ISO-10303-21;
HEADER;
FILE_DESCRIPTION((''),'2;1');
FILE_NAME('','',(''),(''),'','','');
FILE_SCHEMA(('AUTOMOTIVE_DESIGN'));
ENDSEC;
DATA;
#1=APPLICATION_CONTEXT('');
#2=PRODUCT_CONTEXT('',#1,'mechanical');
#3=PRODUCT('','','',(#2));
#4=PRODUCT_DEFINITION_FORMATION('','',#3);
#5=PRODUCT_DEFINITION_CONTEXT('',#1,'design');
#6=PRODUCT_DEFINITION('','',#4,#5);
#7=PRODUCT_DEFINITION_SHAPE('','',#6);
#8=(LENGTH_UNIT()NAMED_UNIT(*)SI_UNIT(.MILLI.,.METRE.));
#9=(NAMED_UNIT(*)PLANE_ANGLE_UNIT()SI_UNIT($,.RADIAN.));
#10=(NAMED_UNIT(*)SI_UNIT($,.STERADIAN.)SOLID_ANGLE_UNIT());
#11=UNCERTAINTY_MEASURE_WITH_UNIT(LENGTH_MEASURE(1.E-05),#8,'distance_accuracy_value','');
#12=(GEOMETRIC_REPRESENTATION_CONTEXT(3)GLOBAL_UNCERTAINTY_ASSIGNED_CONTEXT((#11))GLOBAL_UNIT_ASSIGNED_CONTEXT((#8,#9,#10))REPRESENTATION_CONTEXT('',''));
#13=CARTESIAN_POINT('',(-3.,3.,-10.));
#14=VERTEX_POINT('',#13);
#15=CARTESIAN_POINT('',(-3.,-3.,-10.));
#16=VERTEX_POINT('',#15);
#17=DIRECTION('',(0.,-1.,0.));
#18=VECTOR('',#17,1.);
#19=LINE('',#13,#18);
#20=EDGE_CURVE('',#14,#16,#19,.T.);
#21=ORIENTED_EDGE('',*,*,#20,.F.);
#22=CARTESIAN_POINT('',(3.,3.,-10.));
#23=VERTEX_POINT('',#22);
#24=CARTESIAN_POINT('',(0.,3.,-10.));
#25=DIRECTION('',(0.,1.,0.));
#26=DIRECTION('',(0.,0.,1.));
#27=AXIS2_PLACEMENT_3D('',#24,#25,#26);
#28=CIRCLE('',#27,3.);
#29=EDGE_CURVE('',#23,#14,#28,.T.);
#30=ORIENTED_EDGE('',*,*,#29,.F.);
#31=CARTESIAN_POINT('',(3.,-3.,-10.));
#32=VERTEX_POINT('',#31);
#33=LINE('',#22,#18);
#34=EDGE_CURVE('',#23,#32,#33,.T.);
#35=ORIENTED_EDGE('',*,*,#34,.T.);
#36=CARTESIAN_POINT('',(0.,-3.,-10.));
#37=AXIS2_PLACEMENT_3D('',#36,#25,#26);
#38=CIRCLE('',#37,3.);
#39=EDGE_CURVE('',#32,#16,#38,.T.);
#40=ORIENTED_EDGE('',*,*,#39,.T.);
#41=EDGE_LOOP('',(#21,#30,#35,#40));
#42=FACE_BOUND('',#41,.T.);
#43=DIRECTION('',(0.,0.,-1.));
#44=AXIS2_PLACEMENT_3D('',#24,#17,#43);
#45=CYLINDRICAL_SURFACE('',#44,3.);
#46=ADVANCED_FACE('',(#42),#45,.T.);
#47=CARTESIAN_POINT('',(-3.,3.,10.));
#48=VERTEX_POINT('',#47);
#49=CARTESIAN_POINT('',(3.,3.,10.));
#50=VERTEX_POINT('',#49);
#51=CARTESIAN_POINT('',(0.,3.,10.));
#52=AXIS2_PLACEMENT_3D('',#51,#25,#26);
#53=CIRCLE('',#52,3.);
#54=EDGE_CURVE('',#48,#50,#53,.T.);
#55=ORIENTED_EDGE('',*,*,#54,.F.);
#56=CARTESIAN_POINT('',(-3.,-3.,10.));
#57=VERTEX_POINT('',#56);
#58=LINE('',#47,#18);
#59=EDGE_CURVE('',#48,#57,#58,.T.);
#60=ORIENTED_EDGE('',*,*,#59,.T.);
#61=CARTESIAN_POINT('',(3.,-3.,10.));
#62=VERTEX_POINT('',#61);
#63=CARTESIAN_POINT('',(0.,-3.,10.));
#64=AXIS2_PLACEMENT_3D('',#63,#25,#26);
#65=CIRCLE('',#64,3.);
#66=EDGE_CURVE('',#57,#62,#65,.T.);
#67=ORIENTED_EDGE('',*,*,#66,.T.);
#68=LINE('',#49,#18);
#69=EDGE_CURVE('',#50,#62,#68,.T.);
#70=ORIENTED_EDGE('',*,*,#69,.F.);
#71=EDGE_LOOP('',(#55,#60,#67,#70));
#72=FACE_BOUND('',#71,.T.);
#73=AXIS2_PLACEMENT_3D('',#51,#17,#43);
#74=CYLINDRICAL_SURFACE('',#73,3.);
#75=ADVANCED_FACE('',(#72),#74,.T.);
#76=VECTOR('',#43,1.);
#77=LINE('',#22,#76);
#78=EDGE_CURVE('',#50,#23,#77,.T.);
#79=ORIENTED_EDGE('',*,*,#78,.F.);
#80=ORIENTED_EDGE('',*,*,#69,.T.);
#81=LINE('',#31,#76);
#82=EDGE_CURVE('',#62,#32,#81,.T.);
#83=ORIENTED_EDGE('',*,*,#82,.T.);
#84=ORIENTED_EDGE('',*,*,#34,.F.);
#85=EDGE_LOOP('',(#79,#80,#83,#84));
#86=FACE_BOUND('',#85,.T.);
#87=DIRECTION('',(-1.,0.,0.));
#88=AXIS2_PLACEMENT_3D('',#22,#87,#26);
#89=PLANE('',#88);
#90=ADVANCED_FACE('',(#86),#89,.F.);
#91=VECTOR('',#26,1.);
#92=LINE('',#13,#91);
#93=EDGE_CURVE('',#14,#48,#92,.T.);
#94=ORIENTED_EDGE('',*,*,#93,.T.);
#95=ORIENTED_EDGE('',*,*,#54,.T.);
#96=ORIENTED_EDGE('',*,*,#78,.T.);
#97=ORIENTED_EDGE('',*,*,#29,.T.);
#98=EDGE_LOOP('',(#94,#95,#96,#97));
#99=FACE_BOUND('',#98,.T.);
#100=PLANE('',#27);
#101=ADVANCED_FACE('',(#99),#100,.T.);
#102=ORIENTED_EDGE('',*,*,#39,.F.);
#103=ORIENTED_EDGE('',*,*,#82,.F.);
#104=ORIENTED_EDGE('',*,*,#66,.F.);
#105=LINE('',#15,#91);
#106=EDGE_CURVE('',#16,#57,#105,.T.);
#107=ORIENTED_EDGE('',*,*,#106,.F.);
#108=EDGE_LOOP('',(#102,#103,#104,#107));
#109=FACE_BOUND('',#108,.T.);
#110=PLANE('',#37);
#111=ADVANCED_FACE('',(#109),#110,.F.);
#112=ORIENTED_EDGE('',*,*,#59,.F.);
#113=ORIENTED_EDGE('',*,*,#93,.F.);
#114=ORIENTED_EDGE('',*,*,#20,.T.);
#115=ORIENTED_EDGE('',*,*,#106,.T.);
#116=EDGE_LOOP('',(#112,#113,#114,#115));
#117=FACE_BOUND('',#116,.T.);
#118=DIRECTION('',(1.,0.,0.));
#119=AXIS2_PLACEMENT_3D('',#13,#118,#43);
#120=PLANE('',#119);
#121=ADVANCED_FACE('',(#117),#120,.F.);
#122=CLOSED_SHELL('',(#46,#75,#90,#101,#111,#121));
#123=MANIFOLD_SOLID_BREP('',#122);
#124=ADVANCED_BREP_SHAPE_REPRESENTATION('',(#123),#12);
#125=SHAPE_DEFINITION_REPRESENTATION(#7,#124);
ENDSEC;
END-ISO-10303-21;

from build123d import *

# Parameters (mm, degrees)
BOSS_EXTRUDE1_DEPTH = 3


with BuildPart() as part:
    # Sketch1 → Boss-Extrude1 (new, symmetric)
    with BuildSketch(Plane(origin=(0, 0, 0), x_dir=(1, 0, 0), z_dir=(0, 1, 0))):
        with BuildLine():
            Line((-3, 10), (-3, -10))
            ThreePointArc((-3, -10), (0, -13), (3, -10))
            Line((3, -10), (3, 10))
            ThreePointArc((3, 10), (0, 13), (-3, 10))
        make_face()
    extrude(amount=BOSS_EXTRUDE1_DEPTH, both=True)


solid = part.part
